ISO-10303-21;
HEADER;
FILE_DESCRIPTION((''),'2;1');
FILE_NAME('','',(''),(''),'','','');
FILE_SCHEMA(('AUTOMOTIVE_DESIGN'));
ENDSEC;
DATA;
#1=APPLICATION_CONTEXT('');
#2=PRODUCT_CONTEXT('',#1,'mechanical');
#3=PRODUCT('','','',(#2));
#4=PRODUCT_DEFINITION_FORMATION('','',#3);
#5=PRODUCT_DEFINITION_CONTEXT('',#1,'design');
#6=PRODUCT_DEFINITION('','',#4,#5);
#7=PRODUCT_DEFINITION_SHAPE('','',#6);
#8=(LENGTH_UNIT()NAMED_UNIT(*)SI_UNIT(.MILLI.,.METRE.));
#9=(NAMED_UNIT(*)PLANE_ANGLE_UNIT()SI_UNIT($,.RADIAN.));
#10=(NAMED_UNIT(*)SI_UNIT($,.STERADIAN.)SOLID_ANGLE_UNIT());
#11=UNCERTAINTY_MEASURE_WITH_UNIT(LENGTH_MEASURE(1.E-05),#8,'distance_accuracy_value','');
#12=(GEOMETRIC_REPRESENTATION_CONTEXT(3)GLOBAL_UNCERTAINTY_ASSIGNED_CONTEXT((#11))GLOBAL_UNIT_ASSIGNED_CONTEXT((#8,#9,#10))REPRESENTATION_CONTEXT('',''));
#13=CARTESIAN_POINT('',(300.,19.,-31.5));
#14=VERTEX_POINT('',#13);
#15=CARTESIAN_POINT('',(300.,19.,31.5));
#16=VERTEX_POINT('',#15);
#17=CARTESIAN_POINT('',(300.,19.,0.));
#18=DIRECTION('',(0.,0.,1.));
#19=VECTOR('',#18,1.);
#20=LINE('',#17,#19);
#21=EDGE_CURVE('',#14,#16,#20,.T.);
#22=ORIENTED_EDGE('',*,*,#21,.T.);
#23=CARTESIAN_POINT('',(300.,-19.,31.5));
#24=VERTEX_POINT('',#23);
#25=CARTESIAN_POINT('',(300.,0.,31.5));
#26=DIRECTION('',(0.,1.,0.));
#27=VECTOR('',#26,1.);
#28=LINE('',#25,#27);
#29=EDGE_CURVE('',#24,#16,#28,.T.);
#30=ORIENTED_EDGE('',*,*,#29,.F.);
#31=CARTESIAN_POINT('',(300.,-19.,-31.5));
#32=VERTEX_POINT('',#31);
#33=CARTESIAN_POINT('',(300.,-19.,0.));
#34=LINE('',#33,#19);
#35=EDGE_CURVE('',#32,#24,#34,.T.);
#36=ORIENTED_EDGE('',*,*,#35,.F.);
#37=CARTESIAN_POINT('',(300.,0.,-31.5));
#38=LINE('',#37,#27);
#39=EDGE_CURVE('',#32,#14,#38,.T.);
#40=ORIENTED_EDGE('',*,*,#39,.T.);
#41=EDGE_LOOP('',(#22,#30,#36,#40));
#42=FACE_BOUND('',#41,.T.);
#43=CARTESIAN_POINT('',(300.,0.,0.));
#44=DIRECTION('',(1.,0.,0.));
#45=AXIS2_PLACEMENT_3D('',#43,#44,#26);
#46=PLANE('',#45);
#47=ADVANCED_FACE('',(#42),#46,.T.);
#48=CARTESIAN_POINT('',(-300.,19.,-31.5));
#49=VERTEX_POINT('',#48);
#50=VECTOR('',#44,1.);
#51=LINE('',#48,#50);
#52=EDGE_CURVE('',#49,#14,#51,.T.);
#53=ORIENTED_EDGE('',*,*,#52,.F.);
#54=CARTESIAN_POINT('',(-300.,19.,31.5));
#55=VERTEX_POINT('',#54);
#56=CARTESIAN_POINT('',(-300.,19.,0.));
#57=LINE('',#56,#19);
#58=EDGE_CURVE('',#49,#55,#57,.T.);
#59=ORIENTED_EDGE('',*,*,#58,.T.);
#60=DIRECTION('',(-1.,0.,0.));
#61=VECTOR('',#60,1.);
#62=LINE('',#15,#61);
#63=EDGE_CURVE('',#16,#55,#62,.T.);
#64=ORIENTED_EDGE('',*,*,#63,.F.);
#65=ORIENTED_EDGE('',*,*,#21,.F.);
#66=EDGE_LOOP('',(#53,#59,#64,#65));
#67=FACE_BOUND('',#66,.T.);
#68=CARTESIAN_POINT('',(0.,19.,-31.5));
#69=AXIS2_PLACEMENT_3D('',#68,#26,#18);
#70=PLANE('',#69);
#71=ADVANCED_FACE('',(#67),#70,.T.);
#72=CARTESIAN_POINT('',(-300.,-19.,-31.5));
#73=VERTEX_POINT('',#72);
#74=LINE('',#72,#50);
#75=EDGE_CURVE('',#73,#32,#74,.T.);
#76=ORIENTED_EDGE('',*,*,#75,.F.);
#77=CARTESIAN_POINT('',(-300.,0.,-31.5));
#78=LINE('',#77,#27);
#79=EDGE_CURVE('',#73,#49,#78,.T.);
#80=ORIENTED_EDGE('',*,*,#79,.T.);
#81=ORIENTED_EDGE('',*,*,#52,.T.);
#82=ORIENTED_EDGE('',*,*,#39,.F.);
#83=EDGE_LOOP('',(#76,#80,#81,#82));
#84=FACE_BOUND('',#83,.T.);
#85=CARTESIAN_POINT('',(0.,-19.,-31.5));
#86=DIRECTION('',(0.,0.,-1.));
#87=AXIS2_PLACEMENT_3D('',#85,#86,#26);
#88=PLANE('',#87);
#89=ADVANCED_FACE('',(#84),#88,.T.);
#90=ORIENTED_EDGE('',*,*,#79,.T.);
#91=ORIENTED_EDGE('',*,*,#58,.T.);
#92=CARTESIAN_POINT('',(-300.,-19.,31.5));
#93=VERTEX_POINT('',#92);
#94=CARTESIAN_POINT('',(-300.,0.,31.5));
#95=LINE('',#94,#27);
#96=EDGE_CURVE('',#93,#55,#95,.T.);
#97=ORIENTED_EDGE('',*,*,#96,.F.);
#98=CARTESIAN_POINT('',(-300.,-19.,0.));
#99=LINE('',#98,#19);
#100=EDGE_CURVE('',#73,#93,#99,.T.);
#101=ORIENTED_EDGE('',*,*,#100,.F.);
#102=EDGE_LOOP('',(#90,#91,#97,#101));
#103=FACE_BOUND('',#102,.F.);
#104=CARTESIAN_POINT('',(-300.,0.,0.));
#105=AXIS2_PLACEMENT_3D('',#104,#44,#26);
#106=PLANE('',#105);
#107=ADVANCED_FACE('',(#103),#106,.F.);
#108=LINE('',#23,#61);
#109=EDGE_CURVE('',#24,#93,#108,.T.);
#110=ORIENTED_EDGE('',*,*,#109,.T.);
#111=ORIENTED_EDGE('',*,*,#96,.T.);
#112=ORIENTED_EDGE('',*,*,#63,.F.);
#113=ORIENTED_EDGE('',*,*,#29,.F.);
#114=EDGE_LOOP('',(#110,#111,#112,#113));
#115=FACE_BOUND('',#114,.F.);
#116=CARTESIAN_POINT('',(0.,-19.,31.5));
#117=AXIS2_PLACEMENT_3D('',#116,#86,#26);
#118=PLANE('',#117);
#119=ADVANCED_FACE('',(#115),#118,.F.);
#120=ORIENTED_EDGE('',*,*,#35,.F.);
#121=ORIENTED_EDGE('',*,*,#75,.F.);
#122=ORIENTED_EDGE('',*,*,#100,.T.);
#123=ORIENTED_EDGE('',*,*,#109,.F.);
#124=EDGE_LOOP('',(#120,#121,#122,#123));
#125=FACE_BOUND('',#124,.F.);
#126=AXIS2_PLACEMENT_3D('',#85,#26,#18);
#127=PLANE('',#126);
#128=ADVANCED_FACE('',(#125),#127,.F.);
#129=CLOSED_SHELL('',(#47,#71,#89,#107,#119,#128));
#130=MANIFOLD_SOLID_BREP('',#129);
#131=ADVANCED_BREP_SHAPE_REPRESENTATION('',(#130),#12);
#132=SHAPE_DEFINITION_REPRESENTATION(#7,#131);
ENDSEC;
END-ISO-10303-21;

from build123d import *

# Parameters (mm, degrees)
SKETCH_W  = 38
SKETCH_H  = 63
PAD_DEPTH = 300


with BuildPart() as part:
    # Sketch → Pad (new body, symmetric)
    with BuildSketch(Plane.YZ):
        Rectangle(SKETCH_W, SKETCH_H)
    extrude(amount=PAD_DEPTH, both=True)


solid = part.part
